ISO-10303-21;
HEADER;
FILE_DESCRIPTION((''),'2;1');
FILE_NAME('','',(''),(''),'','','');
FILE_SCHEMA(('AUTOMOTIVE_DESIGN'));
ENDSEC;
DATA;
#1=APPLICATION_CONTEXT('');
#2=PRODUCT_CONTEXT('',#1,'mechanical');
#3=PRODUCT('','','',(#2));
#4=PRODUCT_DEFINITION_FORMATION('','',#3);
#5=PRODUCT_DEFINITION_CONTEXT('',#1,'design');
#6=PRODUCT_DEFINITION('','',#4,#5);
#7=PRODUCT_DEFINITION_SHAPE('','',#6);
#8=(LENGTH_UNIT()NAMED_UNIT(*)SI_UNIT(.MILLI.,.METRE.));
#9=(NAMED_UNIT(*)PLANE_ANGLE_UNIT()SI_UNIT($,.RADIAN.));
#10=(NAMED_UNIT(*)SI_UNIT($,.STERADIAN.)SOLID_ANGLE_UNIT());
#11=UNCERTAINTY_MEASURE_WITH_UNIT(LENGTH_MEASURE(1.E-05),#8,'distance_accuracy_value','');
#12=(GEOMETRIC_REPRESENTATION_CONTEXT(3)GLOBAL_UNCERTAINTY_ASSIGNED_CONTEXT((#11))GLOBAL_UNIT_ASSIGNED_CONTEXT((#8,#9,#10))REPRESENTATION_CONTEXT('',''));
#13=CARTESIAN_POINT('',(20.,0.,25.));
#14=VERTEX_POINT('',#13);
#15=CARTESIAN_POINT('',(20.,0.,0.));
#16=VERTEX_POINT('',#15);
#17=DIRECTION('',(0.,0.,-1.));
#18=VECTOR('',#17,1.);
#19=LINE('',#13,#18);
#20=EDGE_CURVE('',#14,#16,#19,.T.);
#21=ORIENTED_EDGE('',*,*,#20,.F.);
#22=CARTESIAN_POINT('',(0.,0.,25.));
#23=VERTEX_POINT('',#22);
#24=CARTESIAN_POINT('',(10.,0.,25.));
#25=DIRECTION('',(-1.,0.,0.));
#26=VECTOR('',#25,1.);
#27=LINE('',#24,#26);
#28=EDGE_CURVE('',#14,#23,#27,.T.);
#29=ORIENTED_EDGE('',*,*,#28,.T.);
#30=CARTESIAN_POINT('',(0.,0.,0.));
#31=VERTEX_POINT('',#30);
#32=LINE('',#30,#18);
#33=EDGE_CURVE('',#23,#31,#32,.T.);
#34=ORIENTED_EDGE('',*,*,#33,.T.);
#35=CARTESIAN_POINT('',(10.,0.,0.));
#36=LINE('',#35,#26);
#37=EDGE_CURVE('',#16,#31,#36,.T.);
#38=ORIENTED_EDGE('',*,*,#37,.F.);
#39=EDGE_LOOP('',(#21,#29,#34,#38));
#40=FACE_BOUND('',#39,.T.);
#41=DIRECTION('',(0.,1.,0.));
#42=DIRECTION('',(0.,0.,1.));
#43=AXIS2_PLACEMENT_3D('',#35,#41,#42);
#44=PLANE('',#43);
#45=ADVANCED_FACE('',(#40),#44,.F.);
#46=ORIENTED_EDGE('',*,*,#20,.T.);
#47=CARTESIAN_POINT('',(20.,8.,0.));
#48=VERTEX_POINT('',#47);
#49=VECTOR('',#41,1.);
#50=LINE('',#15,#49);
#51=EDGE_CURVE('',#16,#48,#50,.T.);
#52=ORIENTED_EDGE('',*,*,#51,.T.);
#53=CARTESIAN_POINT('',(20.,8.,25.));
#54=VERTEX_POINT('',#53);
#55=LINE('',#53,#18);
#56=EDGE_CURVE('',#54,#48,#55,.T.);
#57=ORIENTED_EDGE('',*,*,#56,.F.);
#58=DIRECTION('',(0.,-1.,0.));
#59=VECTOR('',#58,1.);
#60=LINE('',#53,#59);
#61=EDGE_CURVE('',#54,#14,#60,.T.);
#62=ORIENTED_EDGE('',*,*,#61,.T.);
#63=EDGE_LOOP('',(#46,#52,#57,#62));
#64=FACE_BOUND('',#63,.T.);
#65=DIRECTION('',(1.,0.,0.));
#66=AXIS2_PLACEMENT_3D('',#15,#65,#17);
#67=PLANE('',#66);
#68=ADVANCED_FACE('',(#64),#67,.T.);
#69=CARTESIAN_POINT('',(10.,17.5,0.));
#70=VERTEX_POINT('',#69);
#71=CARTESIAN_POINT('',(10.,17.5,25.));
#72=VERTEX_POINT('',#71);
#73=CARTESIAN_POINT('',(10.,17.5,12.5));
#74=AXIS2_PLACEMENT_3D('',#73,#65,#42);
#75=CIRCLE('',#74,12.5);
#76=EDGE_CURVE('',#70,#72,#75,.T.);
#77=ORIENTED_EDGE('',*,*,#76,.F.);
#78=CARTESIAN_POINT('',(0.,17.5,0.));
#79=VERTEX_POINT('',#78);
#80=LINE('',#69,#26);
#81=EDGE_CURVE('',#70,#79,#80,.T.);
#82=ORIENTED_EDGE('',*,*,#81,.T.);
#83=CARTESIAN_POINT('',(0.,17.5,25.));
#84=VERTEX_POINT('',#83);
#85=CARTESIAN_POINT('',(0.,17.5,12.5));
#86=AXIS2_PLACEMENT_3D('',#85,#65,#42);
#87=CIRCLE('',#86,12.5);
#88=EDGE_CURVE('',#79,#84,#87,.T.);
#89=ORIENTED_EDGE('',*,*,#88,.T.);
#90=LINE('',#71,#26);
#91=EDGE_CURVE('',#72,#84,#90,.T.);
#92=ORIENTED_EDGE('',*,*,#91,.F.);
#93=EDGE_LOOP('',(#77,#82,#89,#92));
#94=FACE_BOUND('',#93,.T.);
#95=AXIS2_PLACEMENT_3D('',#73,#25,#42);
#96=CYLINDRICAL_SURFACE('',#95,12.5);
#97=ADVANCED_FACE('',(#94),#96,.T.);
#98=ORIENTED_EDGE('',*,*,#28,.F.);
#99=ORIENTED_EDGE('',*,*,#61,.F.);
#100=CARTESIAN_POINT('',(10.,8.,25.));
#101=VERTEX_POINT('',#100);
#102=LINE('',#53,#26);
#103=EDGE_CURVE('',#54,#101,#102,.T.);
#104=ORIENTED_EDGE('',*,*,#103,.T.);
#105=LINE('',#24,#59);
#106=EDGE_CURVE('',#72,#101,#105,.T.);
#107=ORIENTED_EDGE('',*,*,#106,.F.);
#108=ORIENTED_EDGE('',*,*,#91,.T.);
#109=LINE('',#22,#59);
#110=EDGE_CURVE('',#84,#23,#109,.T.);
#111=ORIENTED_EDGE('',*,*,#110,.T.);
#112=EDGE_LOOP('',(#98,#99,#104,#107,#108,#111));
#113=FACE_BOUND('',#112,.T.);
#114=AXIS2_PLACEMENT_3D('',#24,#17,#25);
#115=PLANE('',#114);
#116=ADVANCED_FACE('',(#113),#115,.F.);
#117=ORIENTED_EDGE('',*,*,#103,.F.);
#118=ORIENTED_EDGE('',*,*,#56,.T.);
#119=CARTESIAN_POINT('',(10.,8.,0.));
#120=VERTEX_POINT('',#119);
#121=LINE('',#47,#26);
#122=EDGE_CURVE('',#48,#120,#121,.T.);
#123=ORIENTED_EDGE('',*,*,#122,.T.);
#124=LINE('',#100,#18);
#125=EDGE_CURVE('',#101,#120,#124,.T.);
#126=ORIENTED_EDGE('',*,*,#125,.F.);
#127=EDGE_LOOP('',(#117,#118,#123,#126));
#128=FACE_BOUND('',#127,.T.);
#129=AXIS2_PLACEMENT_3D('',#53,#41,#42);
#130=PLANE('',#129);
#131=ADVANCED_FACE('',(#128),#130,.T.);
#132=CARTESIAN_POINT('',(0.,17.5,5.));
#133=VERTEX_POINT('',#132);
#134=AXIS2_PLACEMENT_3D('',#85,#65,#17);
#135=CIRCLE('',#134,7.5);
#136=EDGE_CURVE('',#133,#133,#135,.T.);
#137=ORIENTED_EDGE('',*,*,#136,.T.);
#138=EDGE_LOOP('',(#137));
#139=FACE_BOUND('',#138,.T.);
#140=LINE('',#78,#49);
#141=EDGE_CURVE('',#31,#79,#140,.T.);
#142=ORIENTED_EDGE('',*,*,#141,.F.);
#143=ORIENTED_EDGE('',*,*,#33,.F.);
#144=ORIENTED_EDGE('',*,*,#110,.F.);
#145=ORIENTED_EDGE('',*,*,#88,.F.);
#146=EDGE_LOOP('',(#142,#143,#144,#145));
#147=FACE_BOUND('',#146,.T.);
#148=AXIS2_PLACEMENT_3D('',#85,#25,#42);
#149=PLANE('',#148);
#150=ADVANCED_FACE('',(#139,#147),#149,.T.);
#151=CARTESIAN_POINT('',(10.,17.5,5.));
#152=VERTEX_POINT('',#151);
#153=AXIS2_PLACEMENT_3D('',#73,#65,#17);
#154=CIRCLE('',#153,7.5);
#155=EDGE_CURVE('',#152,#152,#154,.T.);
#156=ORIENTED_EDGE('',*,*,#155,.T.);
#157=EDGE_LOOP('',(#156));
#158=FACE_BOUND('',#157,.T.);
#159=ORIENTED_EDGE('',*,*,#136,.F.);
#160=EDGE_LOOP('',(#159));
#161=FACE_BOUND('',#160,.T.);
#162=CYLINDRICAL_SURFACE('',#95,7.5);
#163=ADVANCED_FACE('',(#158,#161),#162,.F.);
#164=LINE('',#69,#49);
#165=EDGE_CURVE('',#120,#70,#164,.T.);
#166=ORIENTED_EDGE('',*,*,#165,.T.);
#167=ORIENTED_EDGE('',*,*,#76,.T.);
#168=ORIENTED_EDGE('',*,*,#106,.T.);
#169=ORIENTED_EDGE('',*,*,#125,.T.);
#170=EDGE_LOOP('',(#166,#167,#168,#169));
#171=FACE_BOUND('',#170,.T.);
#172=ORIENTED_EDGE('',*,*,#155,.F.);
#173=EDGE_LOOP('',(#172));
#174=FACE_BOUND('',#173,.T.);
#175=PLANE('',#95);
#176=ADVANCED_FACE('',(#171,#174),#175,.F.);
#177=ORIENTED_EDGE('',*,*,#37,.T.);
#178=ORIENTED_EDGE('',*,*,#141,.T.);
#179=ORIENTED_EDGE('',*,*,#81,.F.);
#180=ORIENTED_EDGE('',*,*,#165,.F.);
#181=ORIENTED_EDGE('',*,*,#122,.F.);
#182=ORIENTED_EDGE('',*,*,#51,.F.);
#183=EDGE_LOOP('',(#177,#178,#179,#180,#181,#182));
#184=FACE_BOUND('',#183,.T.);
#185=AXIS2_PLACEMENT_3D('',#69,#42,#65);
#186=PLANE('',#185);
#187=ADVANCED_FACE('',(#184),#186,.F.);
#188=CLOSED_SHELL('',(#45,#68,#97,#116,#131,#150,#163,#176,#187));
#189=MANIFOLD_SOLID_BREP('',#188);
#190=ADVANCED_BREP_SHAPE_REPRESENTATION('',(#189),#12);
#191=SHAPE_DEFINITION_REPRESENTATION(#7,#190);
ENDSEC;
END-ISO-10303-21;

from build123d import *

# Parameters (mm, degrees)
CROQUIS1_R              = 7.5
SALIENTE_EXTRUIR1_DEPTH = 10
CROQUIS2_W              = 25
CROQUIS2_H              = 8
SALIENTE_EXTRUIR2_DEPTH = 10


with BuildPart() as part:
    # Croquis1 → Saliente-Extruir1 (new body)
    with BuildSketch(Plane(origin=(0, 0, 0), x_dir=(0, 0, -1), z_dir=(1, 0, 0))):
        with BuildLine():
            Line((0, 0), (-25, 0))
            Line((-25, 0), (-25, 17.5))
            ThreePointArc((-25, 17.5), (-12.5, 30), (0, 17.5))
            Line((0, 17.5), (0, 0))
        make_face()
        with Locations((-12.5, 17.5)):
            Circle(CROQUIS1_R, mode=Mode.SUBTRACT)
    extrude(amount=SALIENTE_EXTRUIR1_DEPTH)

    # Croquis2 → Saliente-Extruir2 (add)
    with BuildSketch(Plane(origin=(10, 0, 0), x_dir=(0, 0, -1), z_dir=(1, 0, 0))):
        with Locations((-12.5, 4)):
            Rectangle(CROQUIS2_W, CROQUIS2_H)
    extrude(amount=SALIENTE_EXTRUIR2_DEPTH)


solid = part.part
